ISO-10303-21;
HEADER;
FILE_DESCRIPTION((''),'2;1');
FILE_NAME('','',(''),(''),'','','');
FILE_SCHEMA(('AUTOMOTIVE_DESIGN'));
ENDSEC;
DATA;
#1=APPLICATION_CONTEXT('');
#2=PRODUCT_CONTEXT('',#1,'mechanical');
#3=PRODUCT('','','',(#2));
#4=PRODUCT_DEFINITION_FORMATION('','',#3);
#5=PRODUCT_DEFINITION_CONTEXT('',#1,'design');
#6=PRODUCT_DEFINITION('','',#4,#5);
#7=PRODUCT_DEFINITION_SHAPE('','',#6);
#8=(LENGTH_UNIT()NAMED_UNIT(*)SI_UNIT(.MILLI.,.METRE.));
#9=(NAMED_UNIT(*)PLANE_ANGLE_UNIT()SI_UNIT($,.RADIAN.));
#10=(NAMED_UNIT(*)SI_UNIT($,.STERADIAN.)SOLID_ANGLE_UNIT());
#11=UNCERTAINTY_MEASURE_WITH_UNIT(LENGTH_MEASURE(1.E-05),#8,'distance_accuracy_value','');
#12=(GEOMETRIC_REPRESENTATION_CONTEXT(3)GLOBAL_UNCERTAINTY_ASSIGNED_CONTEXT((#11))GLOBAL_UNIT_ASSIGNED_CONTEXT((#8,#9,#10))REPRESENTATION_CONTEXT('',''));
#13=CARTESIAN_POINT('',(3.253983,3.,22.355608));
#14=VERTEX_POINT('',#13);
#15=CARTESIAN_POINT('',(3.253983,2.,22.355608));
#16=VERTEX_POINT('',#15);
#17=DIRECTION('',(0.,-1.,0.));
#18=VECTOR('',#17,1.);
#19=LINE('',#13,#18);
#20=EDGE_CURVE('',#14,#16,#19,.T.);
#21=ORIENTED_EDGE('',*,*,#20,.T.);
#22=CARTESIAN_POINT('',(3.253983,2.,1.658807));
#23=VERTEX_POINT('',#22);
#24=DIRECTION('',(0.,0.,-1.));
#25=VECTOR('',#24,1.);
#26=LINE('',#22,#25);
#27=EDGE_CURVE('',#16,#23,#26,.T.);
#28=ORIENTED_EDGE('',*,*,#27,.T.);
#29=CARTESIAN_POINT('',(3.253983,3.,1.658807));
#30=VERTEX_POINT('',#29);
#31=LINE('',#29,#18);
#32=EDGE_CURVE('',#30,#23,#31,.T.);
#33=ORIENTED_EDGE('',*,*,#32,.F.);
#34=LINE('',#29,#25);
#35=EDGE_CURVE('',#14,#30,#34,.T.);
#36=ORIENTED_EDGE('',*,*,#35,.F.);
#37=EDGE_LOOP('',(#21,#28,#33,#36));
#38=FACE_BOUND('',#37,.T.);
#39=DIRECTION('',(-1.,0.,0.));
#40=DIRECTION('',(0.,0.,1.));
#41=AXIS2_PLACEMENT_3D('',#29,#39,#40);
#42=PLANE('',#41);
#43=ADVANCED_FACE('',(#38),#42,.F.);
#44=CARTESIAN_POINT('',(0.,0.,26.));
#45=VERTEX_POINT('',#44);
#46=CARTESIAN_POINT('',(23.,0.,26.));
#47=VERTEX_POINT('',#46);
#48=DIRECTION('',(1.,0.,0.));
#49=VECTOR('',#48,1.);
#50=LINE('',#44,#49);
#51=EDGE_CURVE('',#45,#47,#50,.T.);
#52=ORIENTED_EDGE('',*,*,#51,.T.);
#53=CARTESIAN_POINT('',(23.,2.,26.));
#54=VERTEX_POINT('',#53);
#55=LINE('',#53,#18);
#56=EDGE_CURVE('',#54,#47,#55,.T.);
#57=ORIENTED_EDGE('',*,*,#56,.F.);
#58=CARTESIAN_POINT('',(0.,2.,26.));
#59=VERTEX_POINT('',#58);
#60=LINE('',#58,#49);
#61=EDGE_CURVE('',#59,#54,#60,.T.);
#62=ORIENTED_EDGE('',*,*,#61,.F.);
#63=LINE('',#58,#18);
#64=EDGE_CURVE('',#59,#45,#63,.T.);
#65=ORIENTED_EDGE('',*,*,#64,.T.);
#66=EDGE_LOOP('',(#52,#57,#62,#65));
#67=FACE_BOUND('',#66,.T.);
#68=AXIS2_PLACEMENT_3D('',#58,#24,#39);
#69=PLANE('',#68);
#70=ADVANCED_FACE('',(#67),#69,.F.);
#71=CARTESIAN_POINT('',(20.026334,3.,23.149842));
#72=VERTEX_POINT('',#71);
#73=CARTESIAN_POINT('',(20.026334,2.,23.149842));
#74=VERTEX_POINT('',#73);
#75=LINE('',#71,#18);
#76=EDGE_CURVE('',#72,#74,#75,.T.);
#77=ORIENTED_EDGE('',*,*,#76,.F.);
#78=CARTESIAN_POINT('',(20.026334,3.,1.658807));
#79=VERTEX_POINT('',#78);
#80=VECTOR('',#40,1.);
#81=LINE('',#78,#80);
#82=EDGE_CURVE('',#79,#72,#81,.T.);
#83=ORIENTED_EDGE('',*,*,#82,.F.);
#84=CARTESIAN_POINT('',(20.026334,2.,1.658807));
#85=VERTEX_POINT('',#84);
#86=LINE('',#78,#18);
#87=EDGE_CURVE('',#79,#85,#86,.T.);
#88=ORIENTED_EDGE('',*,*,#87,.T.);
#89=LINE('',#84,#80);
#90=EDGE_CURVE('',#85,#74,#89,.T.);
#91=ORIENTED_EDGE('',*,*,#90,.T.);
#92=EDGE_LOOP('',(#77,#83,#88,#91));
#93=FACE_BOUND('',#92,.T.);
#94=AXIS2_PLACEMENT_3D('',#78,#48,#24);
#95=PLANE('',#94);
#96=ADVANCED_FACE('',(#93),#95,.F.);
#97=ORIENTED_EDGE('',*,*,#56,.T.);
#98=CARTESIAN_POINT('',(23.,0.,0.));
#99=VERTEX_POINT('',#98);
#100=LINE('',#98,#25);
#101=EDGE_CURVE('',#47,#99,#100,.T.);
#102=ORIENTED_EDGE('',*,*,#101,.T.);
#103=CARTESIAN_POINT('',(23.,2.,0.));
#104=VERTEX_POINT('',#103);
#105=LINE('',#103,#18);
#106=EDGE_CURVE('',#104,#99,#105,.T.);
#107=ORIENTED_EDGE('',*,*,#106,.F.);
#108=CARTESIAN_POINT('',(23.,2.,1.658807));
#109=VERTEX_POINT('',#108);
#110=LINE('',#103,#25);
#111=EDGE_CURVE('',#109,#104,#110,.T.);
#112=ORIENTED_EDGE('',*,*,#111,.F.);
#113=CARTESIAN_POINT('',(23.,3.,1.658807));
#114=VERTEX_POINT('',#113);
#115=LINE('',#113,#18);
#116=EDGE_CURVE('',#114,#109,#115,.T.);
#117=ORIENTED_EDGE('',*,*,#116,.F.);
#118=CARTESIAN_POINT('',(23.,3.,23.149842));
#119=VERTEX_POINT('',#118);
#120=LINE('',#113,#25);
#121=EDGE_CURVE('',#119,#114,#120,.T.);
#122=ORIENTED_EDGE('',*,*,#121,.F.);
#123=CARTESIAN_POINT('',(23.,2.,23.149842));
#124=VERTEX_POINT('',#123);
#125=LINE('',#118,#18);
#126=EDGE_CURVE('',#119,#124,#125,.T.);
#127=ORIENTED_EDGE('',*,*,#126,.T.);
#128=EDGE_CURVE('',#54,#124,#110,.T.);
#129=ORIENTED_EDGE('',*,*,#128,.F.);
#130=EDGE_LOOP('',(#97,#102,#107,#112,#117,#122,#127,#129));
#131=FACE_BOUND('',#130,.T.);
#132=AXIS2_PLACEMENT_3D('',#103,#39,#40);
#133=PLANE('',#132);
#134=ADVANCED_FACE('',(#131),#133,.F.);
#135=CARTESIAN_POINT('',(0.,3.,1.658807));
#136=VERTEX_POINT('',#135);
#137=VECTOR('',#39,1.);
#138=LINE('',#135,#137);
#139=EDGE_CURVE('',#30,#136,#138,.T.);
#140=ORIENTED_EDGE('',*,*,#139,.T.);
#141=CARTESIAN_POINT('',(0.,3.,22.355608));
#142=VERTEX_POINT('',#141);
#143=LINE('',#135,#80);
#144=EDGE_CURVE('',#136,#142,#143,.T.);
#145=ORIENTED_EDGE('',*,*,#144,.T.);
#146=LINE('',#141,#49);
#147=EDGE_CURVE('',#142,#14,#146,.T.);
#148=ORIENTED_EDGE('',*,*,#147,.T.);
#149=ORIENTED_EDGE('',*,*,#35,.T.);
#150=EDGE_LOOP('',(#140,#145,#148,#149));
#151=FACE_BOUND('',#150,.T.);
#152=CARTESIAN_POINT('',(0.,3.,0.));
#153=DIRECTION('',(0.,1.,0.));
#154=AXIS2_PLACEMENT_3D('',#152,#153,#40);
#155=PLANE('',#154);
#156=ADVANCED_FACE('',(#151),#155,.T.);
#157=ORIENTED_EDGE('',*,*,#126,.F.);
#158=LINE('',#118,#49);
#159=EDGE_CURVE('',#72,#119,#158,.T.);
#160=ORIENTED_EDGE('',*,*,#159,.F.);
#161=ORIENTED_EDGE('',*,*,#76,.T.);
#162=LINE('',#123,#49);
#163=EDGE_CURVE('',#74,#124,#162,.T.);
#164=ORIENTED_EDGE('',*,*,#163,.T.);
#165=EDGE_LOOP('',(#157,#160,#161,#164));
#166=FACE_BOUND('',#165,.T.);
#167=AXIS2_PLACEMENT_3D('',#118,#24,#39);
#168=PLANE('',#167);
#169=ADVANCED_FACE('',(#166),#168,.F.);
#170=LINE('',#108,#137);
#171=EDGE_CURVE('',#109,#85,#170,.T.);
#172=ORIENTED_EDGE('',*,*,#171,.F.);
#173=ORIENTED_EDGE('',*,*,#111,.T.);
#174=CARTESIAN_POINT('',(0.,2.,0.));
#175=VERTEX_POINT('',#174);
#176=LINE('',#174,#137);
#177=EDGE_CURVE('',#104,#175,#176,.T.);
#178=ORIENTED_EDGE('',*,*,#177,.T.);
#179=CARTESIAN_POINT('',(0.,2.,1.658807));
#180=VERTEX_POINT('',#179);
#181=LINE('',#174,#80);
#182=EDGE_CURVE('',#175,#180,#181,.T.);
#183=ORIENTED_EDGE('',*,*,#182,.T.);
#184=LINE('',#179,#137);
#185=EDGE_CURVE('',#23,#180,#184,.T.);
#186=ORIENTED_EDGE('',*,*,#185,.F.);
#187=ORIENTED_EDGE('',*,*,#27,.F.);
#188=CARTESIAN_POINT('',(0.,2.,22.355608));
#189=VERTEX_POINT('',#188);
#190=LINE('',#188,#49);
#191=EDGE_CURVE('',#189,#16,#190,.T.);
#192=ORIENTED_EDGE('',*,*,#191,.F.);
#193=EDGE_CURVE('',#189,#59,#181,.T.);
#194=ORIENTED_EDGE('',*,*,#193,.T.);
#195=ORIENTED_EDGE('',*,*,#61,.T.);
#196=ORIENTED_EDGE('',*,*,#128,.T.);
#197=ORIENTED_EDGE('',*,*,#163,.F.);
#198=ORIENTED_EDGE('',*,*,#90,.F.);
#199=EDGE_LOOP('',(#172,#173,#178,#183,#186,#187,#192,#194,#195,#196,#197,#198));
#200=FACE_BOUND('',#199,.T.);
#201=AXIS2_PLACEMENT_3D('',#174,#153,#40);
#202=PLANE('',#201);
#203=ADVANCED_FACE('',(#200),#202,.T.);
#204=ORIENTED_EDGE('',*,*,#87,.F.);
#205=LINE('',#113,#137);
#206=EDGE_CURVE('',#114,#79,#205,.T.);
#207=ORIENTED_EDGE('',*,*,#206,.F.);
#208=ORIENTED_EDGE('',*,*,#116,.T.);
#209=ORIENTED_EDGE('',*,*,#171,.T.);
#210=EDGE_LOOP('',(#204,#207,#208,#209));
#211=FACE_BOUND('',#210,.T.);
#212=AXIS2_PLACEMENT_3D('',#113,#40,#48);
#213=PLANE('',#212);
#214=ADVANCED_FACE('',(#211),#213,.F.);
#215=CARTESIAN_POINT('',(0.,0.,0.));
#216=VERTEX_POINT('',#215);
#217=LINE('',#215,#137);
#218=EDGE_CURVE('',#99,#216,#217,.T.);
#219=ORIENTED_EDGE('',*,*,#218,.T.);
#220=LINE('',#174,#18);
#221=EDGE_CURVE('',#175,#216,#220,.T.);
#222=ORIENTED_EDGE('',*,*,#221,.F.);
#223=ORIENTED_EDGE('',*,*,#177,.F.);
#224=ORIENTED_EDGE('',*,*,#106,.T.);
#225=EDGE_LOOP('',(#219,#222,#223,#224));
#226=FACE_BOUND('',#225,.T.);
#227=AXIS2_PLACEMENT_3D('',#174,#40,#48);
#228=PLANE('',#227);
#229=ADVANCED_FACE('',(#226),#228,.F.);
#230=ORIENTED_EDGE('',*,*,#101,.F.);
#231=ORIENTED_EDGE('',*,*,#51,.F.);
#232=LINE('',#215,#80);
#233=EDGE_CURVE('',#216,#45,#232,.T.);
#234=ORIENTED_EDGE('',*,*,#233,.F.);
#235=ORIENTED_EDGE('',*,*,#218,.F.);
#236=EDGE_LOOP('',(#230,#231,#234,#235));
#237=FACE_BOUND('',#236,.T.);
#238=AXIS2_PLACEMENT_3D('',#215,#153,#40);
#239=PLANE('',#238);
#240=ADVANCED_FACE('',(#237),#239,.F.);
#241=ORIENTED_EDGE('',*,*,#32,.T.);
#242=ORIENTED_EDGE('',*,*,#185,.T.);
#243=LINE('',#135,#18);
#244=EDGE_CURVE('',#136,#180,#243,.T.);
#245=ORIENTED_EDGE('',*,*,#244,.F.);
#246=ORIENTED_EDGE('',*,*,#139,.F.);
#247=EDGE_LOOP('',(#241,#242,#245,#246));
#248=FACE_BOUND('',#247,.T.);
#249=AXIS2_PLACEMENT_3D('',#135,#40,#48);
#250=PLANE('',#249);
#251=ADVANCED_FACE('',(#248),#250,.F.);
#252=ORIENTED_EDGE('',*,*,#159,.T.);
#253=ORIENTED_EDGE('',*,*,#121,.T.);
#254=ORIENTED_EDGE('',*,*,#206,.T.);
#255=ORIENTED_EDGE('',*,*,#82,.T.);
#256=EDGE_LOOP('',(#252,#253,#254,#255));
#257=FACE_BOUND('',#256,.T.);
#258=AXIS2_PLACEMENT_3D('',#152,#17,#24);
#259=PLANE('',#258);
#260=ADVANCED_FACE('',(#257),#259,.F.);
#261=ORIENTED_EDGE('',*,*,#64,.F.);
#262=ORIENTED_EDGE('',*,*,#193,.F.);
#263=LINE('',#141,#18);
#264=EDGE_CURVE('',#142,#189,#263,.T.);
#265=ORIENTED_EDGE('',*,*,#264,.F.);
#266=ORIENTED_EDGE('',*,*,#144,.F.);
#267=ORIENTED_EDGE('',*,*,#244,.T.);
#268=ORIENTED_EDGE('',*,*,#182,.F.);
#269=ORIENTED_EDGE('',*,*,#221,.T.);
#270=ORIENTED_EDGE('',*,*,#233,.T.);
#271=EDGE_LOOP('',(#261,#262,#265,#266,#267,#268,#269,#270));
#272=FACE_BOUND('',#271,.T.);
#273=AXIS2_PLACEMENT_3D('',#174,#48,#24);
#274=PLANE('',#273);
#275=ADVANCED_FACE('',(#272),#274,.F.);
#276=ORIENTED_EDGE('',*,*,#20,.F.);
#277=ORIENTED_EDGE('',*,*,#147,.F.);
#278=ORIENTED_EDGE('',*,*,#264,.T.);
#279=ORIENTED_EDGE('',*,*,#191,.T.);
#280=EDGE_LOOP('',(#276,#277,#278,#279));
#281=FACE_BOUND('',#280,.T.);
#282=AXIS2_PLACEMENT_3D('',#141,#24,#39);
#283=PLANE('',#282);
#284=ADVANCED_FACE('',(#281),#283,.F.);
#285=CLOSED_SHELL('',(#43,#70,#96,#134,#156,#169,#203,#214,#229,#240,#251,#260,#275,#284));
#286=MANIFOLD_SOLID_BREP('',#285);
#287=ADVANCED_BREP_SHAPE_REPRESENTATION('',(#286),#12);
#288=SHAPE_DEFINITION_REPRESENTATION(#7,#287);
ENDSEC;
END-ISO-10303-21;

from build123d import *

# Parameters (mm, degrees)
SKETCH1_W           = 23
SKETCH1_H           = 26
BOSS_EXTRUDE1_DEPTH = 2
SKETCH2_W           = 3.253983471
SKETCH2_H           = 20.696800695
SKETCH2_W_2         = 2.973665628
SKETCH2_H_2         = 21.491034581
BOSS_EXTRUDE2_DEPTH = 1


with BuildPart() as part:
    # Sketch1 → Boss-Extrude1 (new body)
    with BuildSketch(Plane(origin=(0, 0, 0), x_dir=(1, 0, 0), z_dir=(0, 1, 0))):
        with Locations((11.5, -13)):
            Rectangle(SKETCH1_W, SKETCH1_H)
    extrude(amount=BOSS_EXTRUDE1_DEPTH)

    # Sketch2 → Boss-Extrude2 (add)
    with BuildSketch(Plane(origin=(0, 2, 0), x_dir=(1, 0, 0), z_dir=(0, 1, 0))):
        with Locations((1.626991736, -12.007207642)):
            Rectangle(SKETCH2_W, SKETCH2_H)
        with Locations((21.513167186, -12.404324584)):
            Rectangle(SKETCH2_W_2, SKETCH2_H_2)
    extrude(amount=BOSS_EXTRUDE2_DEPTH)


solid = part.part
